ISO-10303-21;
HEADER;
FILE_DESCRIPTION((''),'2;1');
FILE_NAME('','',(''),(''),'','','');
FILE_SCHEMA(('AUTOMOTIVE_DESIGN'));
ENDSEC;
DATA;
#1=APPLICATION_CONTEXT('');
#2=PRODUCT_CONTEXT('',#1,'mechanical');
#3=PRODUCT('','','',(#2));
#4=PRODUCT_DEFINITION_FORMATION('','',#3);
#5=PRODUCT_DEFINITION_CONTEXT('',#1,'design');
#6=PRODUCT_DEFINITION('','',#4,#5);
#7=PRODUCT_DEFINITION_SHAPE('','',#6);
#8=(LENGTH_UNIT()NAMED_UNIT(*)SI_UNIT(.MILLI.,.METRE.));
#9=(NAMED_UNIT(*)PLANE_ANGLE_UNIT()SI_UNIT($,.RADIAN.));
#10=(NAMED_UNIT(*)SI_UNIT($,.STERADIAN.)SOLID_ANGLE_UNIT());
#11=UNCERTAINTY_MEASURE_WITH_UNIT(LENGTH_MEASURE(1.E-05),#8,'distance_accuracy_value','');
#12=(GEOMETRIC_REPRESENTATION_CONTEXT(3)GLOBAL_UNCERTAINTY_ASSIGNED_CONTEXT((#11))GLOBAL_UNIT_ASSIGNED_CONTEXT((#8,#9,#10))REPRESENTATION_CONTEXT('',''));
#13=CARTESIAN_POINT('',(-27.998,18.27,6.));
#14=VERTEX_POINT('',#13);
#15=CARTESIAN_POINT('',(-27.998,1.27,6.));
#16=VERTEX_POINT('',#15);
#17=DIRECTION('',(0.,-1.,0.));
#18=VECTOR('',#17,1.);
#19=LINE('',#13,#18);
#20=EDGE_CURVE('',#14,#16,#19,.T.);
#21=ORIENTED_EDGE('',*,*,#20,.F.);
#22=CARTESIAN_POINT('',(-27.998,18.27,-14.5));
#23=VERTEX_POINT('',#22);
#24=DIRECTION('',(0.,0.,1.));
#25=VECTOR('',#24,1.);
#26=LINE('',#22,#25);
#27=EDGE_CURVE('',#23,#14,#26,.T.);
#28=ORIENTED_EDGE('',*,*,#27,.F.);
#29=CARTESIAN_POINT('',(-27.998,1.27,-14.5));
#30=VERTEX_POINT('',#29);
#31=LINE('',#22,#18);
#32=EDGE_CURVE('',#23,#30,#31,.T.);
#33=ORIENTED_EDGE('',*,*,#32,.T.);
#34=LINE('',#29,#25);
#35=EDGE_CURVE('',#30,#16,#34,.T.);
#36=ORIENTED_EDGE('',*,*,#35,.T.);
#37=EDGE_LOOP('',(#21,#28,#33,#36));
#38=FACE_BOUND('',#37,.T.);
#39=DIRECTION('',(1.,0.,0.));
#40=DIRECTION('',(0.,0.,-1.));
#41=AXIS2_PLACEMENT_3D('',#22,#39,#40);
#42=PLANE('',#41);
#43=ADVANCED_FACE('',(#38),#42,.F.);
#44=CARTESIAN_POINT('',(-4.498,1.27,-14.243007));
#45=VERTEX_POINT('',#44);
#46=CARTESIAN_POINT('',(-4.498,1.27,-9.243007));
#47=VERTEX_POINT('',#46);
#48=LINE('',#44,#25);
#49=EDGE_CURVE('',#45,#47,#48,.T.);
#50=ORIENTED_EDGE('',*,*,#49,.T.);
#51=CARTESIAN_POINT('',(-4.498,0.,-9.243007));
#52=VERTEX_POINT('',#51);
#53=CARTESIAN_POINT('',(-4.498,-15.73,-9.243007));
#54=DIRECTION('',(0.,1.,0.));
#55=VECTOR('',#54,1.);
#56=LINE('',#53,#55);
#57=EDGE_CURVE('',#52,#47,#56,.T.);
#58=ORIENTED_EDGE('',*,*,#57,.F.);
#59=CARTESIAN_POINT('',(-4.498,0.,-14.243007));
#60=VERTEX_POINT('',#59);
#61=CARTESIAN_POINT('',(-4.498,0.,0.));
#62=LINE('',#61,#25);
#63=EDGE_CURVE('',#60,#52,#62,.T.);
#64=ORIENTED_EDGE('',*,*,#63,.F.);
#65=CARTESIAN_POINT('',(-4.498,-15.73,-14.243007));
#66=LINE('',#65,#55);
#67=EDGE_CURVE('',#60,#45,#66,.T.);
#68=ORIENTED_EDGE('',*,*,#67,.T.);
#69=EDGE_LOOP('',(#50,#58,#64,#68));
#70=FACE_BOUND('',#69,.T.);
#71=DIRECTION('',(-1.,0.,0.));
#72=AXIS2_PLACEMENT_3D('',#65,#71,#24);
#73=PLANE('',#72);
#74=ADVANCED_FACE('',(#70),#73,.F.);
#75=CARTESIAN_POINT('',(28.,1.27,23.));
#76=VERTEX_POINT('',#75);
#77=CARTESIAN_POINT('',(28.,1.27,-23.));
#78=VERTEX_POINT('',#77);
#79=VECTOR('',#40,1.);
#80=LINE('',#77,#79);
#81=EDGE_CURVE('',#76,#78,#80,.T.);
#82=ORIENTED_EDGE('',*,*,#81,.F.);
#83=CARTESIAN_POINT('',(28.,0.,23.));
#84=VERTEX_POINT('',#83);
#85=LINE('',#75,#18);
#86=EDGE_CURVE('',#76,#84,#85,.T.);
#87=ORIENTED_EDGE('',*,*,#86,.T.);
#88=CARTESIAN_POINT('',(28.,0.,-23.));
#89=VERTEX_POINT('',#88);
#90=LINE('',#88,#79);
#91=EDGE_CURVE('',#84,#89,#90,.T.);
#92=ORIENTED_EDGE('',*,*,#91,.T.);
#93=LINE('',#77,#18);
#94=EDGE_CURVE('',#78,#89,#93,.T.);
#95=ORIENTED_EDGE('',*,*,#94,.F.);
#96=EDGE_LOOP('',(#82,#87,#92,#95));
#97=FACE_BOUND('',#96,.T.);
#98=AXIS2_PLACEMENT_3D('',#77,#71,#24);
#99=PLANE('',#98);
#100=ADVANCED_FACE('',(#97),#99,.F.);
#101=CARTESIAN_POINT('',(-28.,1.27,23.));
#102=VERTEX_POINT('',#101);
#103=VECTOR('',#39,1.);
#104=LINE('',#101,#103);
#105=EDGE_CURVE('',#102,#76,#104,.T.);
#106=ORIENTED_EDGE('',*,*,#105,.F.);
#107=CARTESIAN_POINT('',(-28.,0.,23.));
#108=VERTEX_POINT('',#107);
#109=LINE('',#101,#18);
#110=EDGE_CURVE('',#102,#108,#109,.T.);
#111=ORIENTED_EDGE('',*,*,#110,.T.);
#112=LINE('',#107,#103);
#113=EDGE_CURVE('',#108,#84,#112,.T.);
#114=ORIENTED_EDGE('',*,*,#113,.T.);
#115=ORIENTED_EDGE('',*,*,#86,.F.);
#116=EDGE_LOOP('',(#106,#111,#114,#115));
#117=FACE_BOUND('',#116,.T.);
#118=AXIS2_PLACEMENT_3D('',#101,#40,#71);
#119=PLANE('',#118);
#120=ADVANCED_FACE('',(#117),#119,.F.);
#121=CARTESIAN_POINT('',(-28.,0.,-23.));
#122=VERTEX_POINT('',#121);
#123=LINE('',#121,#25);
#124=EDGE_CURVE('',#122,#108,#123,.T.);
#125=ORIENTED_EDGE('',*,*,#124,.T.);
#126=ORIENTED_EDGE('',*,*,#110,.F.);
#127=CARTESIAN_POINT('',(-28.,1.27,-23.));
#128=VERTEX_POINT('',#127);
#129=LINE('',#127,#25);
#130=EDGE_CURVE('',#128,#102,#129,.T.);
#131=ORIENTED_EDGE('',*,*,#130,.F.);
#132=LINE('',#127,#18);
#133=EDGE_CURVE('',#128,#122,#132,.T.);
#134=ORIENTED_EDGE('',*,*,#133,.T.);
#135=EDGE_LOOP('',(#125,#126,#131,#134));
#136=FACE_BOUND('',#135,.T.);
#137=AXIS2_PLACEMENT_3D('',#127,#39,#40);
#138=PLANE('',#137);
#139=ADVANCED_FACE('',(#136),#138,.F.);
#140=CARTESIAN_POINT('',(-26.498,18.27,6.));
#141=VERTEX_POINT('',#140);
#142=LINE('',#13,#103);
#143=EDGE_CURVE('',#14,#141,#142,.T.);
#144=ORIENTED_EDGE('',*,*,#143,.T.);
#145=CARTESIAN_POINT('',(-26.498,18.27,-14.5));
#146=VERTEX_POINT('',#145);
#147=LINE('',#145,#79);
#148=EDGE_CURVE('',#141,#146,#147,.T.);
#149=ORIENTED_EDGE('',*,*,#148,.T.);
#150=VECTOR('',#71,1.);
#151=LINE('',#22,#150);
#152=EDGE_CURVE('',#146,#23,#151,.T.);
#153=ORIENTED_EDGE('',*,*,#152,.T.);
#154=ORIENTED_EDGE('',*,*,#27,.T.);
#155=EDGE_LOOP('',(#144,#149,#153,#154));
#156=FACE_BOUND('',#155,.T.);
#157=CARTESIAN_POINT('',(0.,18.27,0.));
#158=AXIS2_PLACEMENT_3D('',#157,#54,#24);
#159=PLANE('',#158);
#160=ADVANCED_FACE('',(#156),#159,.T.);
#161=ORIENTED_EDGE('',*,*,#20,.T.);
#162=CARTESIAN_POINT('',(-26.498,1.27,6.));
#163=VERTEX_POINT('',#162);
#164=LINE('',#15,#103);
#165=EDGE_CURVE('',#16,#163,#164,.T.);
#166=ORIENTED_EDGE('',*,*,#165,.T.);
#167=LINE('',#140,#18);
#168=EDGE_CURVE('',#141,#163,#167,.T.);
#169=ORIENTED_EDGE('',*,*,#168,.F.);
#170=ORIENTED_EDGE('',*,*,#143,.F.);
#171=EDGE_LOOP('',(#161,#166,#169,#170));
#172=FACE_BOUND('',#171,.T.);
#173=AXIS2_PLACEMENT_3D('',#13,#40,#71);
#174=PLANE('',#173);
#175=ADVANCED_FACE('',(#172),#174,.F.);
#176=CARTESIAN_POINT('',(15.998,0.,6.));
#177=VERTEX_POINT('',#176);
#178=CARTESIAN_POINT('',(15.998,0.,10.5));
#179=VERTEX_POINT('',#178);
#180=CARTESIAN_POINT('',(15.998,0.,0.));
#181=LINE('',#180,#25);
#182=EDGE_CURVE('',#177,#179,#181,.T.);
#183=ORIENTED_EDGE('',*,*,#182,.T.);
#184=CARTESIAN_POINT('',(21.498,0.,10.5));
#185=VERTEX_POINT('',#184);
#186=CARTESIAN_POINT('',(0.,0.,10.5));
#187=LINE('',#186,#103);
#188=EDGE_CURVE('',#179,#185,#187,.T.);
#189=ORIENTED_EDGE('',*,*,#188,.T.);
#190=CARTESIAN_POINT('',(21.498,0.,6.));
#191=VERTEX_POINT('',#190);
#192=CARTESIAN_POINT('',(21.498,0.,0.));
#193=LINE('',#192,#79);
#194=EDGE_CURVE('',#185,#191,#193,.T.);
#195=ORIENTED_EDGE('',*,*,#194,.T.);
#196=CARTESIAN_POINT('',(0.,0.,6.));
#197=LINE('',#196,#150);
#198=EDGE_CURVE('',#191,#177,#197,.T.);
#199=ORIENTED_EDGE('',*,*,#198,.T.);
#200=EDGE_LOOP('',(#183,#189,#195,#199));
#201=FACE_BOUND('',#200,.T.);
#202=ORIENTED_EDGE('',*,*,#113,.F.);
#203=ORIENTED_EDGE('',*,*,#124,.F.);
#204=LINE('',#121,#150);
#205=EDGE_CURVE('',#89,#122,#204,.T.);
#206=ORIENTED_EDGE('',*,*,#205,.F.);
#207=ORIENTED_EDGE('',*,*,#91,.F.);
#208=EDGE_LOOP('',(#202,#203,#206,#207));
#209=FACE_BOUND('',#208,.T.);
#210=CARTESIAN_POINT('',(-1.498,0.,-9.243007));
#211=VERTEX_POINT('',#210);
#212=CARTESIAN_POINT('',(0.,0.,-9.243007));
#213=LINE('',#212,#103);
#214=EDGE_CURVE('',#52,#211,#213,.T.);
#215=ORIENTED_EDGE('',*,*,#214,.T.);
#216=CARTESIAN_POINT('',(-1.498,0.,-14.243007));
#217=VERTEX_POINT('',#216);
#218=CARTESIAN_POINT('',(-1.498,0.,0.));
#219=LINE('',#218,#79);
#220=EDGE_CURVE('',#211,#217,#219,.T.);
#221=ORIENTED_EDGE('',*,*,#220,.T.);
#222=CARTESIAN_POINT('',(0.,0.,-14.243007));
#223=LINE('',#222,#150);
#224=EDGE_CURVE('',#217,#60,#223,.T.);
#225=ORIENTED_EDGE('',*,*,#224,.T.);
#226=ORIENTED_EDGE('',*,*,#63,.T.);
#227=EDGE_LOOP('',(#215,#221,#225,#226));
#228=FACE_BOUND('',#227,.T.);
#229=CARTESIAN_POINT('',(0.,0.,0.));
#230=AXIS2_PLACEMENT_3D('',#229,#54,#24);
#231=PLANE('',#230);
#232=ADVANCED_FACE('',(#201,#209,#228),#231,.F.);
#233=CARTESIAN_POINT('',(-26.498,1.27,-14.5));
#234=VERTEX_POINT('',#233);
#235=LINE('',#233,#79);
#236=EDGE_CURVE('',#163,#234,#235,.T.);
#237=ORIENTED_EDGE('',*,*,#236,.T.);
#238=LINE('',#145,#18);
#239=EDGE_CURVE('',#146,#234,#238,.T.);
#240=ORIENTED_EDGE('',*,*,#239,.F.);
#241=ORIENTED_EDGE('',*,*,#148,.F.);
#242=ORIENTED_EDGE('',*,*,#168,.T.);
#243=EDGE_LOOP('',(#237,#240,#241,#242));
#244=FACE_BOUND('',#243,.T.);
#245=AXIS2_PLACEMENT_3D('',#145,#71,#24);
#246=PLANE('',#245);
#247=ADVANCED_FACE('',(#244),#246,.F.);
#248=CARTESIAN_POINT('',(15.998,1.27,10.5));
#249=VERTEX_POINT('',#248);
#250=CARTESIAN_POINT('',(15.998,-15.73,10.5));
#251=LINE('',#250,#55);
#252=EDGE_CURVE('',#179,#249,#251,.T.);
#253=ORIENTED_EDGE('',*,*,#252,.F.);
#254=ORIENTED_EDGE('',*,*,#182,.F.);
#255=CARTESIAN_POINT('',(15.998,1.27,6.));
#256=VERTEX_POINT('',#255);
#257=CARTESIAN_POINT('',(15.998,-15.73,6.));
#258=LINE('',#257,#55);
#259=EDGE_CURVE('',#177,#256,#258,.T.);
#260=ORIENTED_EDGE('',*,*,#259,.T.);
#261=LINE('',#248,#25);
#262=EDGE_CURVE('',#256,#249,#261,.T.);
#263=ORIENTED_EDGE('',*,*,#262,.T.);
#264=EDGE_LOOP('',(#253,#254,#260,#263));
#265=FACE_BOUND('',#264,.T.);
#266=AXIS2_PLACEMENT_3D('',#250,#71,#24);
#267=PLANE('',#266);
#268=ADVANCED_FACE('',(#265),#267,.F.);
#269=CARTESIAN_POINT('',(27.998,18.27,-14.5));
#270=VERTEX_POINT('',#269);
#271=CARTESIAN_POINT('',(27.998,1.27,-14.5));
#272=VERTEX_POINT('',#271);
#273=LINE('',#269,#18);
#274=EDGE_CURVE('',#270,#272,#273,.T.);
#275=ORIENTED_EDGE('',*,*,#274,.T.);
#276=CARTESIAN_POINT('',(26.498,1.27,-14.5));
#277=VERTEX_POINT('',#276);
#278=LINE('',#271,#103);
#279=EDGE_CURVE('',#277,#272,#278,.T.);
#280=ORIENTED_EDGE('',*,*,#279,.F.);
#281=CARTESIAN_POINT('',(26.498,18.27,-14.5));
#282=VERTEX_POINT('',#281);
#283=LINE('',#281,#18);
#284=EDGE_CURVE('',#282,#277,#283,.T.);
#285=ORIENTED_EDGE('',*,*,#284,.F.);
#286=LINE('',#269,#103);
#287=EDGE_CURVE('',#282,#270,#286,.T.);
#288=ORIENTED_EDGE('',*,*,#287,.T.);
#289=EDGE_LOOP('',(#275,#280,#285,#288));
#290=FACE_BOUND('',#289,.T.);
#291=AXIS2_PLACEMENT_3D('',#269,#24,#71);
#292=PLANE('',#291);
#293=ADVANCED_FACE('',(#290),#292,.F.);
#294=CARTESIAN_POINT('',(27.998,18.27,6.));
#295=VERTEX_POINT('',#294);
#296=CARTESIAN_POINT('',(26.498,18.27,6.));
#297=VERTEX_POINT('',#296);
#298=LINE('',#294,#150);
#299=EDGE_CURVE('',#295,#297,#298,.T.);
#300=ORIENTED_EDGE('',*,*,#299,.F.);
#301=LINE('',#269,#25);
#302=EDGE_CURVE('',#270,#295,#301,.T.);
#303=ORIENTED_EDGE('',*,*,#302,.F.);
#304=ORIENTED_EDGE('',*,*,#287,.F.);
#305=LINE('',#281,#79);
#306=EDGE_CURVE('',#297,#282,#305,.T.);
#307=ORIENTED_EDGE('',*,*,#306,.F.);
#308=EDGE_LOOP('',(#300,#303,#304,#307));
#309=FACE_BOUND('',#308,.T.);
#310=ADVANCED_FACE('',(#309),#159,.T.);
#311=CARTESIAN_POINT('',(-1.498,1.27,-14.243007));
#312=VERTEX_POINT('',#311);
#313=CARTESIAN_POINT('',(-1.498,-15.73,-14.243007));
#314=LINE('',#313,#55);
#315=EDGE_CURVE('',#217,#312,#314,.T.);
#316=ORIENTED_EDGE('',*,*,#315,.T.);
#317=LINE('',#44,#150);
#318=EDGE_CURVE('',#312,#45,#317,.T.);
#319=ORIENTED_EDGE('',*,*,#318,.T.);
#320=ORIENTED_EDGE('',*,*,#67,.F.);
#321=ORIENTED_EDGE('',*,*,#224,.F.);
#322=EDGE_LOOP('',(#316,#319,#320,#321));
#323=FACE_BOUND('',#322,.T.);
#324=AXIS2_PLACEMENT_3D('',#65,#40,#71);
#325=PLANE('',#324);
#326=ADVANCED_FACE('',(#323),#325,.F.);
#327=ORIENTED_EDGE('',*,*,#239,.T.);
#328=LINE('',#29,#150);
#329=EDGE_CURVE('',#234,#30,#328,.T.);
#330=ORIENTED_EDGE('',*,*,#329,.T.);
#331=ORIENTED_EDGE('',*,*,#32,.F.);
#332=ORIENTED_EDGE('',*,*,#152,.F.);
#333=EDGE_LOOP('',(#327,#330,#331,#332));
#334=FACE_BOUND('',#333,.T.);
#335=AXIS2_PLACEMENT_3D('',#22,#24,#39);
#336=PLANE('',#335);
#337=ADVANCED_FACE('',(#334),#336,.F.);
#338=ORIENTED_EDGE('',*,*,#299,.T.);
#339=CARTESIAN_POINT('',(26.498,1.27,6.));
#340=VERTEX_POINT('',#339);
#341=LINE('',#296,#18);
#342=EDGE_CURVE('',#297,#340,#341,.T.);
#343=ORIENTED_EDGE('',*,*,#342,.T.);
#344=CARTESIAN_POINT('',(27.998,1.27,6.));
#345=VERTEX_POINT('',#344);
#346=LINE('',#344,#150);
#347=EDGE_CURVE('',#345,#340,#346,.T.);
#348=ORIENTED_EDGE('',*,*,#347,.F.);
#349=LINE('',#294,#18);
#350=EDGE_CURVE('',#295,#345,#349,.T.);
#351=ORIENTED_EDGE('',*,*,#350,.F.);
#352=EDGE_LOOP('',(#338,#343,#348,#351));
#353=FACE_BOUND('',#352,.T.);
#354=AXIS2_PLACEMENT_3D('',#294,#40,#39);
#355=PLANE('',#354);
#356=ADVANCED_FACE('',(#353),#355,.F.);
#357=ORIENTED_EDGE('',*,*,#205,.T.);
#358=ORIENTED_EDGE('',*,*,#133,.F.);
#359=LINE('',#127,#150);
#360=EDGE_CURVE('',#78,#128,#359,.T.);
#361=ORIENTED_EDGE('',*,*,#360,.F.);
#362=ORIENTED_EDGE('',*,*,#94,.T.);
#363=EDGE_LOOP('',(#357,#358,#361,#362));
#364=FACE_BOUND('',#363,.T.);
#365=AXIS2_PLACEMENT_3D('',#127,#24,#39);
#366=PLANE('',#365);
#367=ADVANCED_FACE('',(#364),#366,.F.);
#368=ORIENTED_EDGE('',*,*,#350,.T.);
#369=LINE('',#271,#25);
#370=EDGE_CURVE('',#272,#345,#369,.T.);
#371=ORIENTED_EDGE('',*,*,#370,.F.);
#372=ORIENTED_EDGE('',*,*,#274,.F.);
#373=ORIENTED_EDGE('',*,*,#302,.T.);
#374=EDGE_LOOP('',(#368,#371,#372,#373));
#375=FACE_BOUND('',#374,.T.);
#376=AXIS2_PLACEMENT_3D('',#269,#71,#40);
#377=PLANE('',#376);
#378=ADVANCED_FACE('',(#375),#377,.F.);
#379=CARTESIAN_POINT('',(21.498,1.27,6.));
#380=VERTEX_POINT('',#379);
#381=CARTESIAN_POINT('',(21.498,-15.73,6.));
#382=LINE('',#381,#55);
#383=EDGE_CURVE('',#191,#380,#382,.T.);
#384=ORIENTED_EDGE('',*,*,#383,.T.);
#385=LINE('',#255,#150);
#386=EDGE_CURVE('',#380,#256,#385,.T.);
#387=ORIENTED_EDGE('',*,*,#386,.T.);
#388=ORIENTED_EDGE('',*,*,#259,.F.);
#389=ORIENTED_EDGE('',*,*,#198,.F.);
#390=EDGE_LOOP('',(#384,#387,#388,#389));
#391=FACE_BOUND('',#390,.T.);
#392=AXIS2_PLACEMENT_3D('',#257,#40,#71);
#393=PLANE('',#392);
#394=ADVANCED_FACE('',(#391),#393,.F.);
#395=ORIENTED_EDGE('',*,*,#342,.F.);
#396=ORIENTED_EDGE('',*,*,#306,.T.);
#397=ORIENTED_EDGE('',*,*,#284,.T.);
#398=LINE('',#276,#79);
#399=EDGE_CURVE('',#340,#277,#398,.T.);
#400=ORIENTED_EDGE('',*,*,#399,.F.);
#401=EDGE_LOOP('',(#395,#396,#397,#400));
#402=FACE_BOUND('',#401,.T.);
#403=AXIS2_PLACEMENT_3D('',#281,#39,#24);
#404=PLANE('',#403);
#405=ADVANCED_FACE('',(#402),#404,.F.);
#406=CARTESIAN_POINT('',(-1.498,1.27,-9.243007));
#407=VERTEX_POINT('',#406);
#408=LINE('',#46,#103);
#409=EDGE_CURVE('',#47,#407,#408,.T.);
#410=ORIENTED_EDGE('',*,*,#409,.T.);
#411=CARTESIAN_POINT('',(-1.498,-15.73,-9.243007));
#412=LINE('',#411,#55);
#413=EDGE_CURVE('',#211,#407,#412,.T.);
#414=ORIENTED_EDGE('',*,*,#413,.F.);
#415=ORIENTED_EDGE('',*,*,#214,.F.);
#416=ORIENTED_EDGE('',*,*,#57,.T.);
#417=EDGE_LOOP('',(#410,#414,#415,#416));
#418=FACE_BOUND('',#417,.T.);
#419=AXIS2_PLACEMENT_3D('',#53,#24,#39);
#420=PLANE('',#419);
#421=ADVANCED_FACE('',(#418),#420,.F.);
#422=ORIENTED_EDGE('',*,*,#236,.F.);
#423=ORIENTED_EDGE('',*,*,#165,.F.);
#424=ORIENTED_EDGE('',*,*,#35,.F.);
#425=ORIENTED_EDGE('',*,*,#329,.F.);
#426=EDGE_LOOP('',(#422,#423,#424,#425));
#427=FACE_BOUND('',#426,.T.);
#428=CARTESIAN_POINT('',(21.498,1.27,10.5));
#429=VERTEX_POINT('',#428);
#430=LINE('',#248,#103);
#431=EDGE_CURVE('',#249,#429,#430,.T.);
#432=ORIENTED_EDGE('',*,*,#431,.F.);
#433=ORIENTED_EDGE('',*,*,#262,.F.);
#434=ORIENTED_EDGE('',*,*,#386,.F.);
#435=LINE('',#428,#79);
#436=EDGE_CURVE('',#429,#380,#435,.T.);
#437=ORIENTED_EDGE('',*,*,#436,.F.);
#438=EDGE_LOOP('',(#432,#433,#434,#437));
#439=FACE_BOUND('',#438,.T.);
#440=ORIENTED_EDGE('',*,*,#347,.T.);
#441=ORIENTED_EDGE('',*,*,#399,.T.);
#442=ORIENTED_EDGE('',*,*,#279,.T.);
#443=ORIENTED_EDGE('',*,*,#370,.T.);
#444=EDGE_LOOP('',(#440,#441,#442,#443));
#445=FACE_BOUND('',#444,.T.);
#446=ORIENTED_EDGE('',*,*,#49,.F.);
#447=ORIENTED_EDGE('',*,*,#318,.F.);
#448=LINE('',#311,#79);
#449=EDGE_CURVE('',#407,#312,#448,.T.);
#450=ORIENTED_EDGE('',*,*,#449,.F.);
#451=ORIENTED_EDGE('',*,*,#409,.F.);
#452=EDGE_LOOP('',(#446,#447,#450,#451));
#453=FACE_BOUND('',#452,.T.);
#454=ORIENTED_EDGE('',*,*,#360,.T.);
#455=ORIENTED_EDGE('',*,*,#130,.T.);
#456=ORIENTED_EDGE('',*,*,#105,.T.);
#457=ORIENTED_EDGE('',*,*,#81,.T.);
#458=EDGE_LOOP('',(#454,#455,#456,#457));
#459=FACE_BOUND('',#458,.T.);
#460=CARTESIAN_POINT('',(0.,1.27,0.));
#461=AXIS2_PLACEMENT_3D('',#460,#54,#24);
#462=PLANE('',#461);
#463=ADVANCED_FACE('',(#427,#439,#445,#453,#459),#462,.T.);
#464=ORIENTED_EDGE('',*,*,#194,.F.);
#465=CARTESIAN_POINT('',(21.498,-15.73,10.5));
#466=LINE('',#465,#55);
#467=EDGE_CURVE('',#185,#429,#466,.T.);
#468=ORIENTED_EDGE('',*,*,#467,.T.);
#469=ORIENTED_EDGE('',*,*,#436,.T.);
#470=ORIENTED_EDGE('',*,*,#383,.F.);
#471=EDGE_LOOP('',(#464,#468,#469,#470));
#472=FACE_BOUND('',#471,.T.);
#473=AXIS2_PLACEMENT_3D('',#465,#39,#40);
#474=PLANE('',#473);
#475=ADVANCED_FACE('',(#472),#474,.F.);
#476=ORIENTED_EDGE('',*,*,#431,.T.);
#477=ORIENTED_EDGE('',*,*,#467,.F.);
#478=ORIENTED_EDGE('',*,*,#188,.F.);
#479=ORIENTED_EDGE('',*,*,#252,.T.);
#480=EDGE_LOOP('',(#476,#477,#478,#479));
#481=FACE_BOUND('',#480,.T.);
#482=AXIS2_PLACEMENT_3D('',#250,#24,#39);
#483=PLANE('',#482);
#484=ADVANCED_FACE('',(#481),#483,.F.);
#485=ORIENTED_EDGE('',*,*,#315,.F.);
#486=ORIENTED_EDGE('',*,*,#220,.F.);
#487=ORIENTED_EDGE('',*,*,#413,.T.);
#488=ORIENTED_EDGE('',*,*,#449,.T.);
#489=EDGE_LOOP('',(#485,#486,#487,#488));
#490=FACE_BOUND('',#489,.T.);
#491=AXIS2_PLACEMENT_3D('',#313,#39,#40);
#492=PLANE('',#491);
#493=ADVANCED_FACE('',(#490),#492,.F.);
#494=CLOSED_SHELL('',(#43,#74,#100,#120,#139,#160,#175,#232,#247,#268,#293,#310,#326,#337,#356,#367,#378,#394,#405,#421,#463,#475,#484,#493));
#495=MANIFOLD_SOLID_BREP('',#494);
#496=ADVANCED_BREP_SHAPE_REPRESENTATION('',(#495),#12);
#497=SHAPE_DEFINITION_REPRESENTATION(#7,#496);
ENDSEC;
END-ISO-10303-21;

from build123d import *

# Parameters (mm, degrees)
SKETCH1_W           = 56
SKETCH1_H           = 46
BOSS_EXTRUDE1_DEPTH = 1.27
SKETCH2_W           = 1.5
SKETCH2_H           = 20.5
BOSS_EXTRUDE2_DEPTH = 17
SKETCH3_W           = 3
SKETCH3_H           = 5
CUT_EXTRUDE1_DEPTH  = 17
SKETCH4_W           = 5.5
SKETCH4_H           = 4.5
CUT_EXTRUDE2_DEPTH  = 17


with BuildPart() as part:
    # Sketch1 → Boss-Extrude1 (new body)
    with BuildSketch(Plane(origin=(0, 0, 0), x_dir=(1, 0, 0), z_dir=(0, 1, 0))):
        Rectangle(SKETCH1_W, SKETCH1_H)
    extrude(amount=BOSS_EXTRUDE1_DEPTH)

    # Sketch2 → Boss-Extrude2 (add)
    with BuildSketch(Plane(origin=(0, 1.27, 0), x_dir=(1, 0, 0), z_dir=(0, 1, 0))):
        with Locations((-27.248, 4.25)):
            Rectangle(SKETCH2_W, SKETCH2_H)
    boss_extrude2 = extrude(amount=BOSS_EXTRUDE2_DEPTH)

    # Mirror2: Boss-Extrude2 across plane
    add(boss_extrude2.mirror(Plane(origin=(0, 0, 0), x_dir=(0, 0, 1), z_dir=(1, 0, 0))))

    # Sketch3 → Cut-Extrude1 (cut)
    with BuildSketch(Plane(origin=(0, 1.27, 0), x_dir=(1, 0, 0), z_dir=(0, 1, 0))):
        with Locations((-2.998, 11.743007137)):
            Rectangle(SKETCH3_W, SKETCH3_H)
    extrude(amount=-CUT_EXTRUDE1_DEPTH, mode=Mode.SUBTRACT)

    # Sketch4 → Cut-Extrude2 (cut)
    with BuildSketch(Plane(origin=(0, 1.27, 0), x_dir=(1, 0, 0), z_dir=(0, 1, 0))):
        with Locations((18.748, -8.25)):
            Rectangle(SKETCH4_W, SKETCH4_H)
    extrude(amount=-CUT_EXTRUDE2_DEPTH, mode=Mode.SUBTRACT)


solid = part.part
